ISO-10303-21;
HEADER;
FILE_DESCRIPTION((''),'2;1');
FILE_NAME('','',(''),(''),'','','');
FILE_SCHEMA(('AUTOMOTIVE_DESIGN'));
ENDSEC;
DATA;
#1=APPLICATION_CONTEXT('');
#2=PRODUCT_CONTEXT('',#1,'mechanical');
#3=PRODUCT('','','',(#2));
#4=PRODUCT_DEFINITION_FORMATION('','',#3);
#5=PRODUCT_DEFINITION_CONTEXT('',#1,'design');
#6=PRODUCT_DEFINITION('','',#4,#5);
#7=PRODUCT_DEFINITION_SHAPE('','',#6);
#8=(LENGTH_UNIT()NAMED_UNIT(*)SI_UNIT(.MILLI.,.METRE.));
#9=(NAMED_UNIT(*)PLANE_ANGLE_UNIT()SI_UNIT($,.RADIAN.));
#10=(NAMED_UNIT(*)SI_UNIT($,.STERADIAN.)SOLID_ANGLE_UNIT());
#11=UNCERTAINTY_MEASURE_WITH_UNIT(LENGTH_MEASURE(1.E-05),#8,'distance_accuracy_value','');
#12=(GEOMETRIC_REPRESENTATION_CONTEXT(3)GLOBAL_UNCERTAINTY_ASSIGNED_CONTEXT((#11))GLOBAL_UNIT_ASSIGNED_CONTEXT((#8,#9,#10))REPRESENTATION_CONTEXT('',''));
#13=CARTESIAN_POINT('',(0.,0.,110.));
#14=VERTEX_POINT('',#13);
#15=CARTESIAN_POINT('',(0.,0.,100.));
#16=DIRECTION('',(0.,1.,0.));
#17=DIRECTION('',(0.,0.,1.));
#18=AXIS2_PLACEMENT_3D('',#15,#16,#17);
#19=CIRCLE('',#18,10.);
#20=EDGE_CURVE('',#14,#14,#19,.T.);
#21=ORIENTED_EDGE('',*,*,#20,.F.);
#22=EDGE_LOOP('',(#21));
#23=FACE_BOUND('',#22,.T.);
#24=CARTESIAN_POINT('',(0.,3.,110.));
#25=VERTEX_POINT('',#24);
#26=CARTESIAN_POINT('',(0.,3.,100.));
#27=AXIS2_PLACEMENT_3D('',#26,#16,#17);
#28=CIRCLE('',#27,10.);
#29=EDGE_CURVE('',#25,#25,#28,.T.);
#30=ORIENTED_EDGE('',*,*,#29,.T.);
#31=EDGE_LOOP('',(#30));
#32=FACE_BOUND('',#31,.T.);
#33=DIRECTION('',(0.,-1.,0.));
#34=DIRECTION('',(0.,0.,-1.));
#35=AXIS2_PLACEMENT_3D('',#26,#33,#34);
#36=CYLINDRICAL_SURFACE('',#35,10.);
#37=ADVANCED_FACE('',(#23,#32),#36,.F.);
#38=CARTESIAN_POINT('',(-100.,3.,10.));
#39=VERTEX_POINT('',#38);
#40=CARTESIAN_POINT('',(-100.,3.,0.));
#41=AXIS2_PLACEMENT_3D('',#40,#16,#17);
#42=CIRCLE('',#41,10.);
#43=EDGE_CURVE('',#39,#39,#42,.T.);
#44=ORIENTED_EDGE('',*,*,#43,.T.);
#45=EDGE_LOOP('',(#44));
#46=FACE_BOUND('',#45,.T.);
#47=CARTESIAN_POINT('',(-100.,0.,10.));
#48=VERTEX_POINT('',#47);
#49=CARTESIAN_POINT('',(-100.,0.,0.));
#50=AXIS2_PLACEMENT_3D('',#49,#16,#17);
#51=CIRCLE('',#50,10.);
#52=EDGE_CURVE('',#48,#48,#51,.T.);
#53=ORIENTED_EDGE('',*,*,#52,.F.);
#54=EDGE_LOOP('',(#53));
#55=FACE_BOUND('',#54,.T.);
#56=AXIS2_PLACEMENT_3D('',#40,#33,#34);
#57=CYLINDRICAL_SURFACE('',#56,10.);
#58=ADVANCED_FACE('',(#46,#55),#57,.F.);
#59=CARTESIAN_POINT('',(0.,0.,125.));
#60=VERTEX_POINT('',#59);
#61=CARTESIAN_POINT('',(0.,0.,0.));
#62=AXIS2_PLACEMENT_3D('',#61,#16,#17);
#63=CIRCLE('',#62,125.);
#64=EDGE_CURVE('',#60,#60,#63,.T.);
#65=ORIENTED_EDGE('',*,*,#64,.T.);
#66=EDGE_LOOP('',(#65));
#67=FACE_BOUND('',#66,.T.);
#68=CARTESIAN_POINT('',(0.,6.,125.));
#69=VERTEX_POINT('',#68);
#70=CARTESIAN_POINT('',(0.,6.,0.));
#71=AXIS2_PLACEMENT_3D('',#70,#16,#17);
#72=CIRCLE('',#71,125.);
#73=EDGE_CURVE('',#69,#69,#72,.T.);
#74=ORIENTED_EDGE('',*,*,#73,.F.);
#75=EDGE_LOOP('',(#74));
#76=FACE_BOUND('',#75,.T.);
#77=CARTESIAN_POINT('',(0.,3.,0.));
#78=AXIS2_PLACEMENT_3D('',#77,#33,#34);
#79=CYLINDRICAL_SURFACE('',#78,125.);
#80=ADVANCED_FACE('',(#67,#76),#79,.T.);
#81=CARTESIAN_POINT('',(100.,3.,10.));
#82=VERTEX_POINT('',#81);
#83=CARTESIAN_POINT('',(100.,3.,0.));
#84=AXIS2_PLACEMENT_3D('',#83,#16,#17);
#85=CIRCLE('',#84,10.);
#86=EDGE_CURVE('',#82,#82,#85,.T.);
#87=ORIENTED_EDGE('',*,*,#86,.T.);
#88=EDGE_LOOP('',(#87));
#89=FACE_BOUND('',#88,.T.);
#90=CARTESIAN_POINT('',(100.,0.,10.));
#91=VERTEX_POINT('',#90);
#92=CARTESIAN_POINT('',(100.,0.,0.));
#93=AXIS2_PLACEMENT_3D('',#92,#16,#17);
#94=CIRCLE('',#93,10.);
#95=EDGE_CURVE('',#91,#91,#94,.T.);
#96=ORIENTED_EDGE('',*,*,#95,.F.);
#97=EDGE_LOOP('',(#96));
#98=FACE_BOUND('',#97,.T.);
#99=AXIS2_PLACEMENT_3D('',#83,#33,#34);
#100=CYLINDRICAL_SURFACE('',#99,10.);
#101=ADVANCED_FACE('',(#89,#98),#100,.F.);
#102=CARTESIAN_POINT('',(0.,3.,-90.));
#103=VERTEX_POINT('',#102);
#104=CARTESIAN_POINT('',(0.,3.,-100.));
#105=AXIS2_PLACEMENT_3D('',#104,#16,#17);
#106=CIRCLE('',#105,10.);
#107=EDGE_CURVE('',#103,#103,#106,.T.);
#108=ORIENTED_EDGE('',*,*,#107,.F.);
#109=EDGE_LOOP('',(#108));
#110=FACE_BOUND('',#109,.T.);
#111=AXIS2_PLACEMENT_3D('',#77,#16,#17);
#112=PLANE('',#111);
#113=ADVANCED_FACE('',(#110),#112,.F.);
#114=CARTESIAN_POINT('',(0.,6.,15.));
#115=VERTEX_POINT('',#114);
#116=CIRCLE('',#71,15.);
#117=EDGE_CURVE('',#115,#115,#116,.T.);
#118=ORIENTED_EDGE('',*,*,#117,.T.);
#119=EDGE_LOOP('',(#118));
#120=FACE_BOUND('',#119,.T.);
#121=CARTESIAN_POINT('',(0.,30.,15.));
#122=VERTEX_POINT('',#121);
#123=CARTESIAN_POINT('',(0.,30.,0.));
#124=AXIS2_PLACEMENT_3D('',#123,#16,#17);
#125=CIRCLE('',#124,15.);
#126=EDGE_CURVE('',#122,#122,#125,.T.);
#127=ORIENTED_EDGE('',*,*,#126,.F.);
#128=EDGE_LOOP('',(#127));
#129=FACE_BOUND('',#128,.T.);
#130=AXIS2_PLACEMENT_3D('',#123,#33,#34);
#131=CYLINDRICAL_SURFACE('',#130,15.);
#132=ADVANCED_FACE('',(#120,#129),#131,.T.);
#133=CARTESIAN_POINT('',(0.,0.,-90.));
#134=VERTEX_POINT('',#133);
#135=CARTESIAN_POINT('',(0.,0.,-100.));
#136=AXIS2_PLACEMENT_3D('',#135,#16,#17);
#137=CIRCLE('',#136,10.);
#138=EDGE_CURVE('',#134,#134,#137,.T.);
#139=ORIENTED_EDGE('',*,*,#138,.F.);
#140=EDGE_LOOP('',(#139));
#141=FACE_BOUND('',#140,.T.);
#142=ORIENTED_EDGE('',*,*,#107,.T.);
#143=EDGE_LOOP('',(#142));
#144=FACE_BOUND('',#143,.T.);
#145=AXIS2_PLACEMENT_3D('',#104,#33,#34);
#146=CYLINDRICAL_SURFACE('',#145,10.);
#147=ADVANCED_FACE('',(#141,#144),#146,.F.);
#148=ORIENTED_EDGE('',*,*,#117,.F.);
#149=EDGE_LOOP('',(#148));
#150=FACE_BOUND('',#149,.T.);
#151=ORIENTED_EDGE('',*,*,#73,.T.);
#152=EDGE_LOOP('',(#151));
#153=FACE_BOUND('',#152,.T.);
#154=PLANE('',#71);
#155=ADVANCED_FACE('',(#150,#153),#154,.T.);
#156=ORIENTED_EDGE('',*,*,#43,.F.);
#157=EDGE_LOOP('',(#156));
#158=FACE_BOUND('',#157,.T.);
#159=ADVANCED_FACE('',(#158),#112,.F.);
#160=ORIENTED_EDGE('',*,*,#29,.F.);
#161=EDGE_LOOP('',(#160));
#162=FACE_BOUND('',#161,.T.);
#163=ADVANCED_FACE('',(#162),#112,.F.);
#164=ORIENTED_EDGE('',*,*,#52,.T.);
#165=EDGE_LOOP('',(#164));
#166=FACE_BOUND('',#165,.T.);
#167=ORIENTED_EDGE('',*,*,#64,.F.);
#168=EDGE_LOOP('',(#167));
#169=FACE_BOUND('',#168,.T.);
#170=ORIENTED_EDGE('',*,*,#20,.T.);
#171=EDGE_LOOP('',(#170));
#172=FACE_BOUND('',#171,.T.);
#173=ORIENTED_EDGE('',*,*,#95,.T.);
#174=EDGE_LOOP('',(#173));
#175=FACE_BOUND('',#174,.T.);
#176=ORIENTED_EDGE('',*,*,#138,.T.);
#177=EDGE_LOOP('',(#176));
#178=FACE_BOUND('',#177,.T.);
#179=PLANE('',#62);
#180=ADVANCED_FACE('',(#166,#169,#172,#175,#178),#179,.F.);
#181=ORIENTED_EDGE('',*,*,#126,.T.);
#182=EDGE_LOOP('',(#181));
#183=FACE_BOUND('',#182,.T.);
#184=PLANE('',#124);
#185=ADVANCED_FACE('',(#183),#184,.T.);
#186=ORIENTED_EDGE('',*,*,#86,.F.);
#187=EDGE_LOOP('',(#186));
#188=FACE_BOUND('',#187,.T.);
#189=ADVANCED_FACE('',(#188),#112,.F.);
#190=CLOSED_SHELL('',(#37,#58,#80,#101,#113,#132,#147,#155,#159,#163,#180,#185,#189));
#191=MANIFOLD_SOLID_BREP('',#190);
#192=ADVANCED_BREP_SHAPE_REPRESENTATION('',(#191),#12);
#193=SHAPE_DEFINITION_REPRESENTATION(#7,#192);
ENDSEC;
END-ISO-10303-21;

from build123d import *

# Parameters (mm, degrees)
SKETCH1_R                               = 125
SKETCH1_R_2                             = 10
BOSS_EXTRUDE1_DEPTH                     = 3
SKETCH2_R                               = 125
B_T_CH_N_DRONE_DEPTH                    = 3
SKETCH3_R                               = 15
TR_C_G_N_V_O_V_NG_BI_THAY_I_MATCH_DEPTH = 24


with BuildPart() as part:
    # Sketch1 → Boss-Extrude1 (new body)
    with BuildSketch(Plane(origin=(0, 0, 0), x_dir=(1, 0, 0), z_dir=(0, 1, 0))):
        with Locations(Location((0, 0, 0), (0, 0, 270))):
            Circle(SKETCH1_R)
        with Locations(Location((0, 100, 0), (0, 0, 270))):
            Circle(SKETCH1_R_2, mode=Mode.SUBTRACT)
        with Locations(Location((100, 0, 0), (0, 0, 270))):
            Circle(SKETCH1_R_2, mode=Mode.SUBTRACT)
        with Locations(Location((0, -100, 0), (0, 0, 270))):
            Circle(SKETCH1_R_2, mode=Mode.SUBTRACT)
        with Locations(Location((-100, 0, 0), (0, 0, 270))):
            Circle(SKETCH1_R_2, mode=Mode.SUBTRACT)
    extrude(amount=BOSS_EXTRUDE1_DEPTH)

    # Sketch2 → bắt chân drone (add)
    with BuildSketch(Plane(origin=(0, 3, 0), x_dir=(1, 0, 0), z_dir=(0, 1, 0))):
        with Locations(Location((0, 0, 0), (0, 0, 270))):
            Circle(SKETCH2_R)
    extrude(amount=B_T_CH_N_DRONE_DEPTH)

    # Sketch3 → Trục gắn vào vòng bi (Thay đổi để match) (add)
    with BuildSketch(Plane(origin=(0, 6, 0), x_dir=(1, 0, 0), z_dir=(0, 1, 0))):
        with Locations(Location((0, 0, 0), (0, 0, 270))):
            Circle(SKETCH3_R)
    extrude(amount=TR_C_G_N_V_O_V_NG_BI_THAY_I_MATCH_DEPTH)


solid = part.part
